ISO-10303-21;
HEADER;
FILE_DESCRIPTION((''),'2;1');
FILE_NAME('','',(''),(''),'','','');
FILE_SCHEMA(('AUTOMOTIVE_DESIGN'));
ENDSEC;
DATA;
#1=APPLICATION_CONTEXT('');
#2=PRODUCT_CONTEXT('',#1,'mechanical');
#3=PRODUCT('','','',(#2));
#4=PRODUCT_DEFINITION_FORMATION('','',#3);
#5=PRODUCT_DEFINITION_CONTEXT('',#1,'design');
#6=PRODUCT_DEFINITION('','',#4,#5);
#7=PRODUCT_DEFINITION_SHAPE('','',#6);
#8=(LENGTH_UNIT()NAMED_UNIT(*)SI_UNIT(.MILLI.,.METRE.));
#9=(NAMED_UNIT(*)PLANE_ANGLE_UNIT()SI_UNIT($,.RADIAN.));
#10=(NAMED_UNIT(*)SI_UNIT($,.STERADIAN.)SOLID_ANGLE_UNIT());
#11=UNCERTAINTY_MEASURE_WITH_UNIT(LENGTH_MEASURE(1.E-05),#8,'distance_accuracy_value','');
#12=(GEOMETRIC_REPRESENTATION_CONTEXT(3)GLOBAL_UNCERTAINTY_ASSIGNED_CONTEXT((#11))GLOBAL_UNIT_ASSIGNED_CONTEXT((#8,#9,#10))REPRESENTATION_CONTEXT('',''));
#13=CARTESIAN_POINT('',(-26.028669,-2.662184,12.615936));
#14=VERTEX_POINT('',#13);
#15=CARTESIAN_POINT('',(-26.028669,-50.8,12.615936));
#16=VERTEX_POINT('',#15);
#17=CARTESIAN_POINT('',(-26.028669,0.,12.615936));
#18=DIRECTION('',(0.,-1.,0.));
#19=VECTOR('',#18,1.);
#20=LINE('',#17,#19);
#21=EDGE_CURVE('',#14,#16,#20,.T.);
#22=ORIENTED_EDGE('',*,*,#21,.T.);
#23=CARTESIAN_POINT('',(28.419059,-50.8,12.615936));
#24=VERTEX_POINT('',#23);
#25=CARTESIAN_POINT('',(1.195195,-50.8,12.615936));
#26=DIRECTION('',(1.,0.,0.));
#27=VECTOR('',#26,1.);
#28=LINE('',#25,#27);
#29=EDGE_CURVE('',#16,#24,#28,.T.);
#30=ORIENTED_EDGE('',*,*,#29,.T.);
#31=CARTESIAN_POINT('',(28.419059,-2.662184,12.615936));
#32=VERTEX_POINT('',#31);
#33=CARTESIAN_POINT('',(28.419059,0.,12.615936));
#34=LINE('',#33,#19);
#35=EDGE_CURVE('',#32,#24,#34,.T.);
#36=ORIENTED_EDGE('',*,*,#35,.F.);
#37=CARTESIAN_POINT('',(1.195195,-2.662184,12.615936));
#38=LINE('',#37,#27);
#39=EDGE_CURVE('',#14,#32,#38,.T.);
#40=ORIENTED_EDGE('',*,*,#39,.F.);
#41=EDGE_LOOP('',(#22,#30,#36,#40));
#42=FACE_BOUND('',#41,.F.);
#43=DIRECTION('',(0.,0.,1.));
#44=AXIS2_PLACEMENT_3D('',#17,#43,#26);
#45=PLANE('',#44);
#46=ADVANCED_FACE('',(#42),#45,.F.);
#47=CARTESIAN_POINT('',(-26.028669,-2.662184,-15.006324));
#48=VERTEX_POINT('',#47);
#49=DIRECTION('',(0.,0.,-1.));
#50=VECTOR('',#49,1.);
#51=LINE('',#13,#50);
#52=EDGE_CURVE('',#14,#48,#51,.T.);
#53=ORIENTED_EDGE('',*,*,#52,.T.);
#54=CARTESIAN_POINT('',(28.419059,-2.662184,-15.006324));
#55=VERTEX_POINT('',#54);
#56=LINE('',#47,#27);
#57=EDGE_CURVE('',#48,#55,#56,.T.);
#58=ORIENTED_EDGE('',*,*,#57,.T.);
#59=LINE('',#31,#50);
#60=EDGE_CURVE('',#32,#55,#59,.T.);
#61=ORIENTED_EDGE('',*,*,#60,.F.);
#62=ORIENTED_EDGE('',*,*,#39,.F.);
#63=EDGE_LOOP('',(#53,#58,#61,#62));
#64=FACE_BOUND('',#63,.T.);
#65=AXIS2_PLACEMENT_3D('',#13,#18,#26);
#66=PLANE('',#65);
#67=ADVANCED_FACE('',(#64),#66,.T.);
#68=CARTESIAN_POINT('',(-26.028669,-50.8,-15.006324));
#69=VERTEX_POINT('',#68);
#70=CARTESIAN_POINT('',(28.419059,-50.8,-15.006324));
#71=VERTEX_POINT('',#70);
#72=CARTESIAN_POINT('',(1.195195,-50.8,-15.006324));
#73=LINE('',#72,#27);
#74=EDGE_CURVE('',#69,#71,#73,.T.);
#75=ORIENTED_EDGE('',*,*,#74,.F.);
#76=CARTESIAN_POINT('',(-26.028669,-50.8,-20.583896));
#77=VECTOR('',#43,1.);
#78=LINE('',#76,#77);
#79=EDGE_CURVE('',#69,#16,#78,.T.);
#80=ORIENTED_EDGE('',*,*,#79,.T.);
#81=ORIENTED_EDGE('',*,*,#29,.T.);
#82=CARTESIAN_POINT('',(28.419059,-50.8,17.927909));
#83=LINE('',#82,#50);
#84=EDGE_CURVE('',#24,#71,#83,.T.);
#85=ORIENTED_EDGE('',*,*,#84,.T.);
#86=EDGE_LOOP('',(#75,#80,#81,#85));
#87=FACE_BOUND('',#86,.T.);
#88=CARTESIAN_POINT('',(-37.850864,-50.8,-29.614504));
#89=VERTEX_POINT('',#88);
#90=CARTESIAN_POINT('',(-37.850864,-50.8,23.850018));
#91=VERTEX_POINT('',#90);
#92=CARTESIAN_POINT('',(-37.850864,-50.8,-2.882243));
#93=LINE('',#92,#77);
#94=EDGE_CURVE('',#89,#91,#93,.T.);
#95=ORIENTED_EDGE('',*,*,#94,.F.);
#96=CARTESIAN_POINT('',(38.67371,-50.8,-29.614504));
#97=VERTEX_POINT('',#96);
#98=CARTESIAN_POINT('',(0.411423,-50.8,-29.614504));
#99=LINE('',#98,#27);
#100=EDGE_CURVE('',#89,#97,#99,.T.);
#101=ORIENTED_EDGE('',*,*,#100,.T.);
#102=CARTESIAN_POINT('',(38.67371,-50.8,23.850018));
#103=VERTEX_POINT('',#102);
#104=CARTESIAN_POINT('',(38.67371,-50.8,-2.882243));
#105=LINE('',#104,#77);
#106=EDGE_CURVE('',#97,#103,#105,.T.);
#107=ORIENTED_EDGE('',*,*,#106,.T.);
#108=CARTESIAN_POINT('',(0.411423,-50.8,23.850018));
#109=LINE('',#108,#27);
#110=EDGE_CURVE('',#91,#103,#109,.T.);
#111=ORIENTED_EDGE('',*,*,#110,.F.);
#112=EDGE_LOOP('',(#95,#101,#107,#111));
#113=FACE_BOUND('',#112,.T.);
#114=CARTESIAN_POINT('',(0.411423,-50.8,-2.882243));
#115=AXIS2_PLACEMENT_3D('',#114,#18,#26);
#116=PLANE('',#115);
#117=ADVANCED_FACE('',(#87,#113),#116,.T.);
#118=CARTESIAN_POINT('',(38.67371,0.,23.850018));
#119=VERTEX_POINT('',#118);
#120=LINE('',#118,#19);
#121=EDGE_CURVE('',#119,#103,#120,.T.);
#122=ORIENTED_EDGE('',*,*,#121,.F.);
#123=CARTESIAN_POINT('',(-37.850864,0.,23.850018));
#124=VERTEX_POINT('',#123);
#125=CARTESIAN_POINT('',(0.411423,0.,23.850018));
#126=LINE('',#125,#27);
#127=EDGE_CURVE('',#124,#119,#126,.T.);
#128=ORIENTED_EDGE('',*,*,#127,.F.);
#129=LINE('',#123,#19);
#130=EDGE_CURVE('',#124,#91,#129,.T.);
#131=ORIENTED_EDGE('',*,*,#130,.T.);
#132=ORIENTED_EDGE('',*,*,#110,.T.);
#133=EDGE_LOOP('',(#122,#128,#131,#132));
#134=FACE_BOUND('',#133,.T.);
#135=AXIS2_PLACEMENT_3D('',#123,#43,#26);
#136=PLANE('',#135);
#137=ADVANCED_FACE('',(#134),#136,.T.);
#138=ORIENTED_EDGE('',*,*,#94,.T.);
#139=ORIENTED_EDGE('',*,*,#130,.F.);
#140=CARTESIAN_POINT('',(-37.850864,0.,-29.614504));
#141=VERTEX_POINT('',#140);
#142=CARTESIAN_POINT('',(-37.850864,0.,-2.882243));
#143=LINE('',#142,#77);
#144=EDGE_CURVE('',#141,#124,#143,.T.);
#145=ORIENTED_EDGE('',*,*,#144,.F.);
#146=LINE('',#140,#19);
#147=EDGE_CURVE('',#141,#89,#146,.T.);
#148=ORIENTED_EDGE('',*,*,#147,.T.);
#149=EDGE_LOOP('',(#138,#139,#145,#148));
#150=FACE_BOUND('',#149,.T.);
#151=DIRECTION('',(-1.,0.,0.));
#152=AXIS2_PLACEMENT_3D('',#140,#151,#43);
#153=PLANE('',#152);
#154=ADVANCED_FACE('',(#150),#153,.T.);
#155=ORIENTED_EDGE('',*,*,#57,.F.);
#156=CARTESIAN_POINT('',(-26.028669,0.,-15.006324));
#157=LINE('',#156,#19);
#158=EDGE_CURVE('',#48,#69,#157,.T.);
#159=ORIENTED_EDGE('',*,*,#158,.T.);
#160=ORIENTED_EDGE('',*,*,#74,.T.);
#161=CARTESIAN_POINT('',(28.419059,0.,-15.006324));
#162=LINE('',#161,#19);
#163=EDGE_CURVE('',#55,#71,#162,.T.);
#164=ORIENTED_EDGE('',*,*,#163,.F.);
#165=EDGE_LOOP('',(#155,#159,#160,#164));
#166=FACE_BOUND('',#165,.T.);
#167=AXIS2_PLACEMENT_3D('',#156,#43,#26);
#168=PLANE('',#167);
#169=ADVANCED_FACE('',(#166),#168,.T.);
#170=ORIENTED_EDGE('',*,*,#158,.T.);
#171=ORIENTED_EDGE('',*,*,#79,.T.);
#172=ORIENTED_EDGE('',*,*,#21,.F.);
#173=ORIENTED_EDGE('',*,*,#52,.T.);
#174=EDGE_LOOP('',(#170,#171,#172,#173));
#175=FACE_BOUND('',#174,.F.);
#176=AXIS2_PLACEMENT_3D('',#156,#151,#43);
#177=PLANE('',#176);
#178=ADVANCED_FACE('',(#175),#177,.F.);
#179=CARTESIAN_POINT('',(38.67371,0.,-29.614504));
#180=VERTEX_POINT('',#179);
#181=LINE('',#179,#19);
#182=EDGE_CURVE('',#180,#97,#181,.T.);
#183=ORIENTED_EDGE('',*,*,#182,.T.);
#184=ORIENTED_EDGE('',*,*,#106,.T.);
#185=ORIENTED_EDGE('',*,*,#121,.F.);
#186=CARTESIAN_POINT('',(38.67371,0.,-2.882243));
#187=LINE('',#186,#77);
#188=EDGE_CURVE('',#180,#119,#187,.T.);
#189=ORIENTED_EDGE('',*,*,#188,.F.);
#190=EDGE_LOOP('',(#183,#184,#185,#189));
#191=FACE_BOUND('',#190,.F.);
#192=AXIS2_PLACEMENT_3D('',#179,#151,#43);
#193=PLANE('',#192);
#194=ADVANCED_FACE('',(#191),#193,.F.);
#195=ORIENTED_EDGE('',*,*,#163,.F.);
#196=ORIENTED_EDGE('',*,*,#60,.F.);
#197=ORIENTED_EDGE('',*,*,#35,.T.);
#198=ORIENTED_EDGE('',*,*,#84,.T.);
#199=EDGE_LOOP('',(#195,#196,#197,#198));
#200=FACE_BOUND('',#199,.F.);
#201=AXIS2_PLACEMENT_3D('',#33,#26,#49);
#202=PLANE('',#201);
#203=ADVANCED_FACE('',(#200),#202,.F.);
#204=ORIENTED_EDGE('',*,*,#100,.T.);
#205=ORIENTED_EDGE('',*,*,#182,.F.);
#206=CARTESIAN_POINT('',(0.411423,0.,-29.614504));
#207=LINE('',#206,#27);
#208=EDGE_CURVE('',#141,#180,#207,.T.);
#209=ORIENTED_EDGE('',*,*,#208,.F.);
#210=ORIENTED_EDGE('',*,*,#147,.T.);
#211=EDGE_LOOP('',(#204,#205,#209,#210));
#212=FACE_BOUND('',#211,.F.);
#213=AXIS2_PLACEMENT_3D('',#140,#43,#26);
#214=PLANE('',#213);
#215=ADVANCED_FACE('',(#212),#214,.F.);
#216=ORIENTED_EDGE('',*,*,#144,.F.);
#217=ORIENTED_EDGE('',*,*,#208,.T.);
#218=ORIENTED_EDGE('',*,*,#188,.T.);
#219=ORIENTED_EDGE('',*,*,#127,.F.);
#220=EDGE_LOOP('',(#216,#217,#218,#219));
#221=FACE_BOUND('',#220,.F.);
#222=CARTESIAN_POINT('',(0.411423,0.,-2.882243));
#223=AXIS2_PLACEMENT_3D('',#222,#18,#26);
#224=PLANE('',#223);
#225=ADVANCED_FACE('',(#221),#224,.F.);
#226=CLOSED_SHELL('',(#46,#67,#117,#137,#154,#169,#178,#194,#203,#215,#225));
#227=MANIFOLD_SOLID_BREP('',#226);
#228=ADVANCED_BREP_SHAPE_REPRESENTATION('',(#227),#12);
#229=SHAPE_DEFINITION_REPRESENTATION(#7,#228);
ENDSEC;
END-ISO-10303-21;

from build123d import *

# Parameters (mm, degrees)
F0_W     = 76.5245743096
F0_H     = 53.4645225853
F0_W_2   = 54.4477272779
F0_H_2   = 5.311973393
F0_H_3   = 5.5775716901
F1_DEPTH = 50.8
F2_W     = 54.4477272779
F2_H     = 2.6621837169
F3_DEPTH = 30.6


with BuildPart() as f1:
    # F0 (on Front) → F1 (new body)
    with BuildSketch(Plane.XZ):
        with Locations((0.4114229232, -2.8822431341)):
            Rectangle(F0_W, F0_H)
        Polygon((-26.0286685079, 12.615935877), (-26.0286685079, 17.9279092699), (28.4190587699, 17.9279092699), (28.4190587699, 12.615935877), (28.4190587699, -15.0063242763), (28.4190587699, -20.5838959664), (-26.0286685079, -20.5838959664), (-26.0286685079, -15.0063242763), align=None, mode=Mode.SUBTRACT)
        with Locations((1.195195131, 15.2719225734)):
            Rectangle(F0_W_2, F0_H_2)
        with Locations((1.195195131, -17.7951101214)):
            Rectangle(F0_W_2, F0_H_3)
    extrude(amount=F1_DEPTH)

    # F2 (on face) → F3 (join)
    with BuildSketch(Plane(origin=(0, 0, 12.615935877), x_dir=(1, 0, 0), z_dir=(0, 0, -1))):
        with Locations((1.195195131, 1.3310918584)):
            Rectangle(F2_W, F2_H)
    extrude(amount=F3_DEPTH)


solid = f1.part
